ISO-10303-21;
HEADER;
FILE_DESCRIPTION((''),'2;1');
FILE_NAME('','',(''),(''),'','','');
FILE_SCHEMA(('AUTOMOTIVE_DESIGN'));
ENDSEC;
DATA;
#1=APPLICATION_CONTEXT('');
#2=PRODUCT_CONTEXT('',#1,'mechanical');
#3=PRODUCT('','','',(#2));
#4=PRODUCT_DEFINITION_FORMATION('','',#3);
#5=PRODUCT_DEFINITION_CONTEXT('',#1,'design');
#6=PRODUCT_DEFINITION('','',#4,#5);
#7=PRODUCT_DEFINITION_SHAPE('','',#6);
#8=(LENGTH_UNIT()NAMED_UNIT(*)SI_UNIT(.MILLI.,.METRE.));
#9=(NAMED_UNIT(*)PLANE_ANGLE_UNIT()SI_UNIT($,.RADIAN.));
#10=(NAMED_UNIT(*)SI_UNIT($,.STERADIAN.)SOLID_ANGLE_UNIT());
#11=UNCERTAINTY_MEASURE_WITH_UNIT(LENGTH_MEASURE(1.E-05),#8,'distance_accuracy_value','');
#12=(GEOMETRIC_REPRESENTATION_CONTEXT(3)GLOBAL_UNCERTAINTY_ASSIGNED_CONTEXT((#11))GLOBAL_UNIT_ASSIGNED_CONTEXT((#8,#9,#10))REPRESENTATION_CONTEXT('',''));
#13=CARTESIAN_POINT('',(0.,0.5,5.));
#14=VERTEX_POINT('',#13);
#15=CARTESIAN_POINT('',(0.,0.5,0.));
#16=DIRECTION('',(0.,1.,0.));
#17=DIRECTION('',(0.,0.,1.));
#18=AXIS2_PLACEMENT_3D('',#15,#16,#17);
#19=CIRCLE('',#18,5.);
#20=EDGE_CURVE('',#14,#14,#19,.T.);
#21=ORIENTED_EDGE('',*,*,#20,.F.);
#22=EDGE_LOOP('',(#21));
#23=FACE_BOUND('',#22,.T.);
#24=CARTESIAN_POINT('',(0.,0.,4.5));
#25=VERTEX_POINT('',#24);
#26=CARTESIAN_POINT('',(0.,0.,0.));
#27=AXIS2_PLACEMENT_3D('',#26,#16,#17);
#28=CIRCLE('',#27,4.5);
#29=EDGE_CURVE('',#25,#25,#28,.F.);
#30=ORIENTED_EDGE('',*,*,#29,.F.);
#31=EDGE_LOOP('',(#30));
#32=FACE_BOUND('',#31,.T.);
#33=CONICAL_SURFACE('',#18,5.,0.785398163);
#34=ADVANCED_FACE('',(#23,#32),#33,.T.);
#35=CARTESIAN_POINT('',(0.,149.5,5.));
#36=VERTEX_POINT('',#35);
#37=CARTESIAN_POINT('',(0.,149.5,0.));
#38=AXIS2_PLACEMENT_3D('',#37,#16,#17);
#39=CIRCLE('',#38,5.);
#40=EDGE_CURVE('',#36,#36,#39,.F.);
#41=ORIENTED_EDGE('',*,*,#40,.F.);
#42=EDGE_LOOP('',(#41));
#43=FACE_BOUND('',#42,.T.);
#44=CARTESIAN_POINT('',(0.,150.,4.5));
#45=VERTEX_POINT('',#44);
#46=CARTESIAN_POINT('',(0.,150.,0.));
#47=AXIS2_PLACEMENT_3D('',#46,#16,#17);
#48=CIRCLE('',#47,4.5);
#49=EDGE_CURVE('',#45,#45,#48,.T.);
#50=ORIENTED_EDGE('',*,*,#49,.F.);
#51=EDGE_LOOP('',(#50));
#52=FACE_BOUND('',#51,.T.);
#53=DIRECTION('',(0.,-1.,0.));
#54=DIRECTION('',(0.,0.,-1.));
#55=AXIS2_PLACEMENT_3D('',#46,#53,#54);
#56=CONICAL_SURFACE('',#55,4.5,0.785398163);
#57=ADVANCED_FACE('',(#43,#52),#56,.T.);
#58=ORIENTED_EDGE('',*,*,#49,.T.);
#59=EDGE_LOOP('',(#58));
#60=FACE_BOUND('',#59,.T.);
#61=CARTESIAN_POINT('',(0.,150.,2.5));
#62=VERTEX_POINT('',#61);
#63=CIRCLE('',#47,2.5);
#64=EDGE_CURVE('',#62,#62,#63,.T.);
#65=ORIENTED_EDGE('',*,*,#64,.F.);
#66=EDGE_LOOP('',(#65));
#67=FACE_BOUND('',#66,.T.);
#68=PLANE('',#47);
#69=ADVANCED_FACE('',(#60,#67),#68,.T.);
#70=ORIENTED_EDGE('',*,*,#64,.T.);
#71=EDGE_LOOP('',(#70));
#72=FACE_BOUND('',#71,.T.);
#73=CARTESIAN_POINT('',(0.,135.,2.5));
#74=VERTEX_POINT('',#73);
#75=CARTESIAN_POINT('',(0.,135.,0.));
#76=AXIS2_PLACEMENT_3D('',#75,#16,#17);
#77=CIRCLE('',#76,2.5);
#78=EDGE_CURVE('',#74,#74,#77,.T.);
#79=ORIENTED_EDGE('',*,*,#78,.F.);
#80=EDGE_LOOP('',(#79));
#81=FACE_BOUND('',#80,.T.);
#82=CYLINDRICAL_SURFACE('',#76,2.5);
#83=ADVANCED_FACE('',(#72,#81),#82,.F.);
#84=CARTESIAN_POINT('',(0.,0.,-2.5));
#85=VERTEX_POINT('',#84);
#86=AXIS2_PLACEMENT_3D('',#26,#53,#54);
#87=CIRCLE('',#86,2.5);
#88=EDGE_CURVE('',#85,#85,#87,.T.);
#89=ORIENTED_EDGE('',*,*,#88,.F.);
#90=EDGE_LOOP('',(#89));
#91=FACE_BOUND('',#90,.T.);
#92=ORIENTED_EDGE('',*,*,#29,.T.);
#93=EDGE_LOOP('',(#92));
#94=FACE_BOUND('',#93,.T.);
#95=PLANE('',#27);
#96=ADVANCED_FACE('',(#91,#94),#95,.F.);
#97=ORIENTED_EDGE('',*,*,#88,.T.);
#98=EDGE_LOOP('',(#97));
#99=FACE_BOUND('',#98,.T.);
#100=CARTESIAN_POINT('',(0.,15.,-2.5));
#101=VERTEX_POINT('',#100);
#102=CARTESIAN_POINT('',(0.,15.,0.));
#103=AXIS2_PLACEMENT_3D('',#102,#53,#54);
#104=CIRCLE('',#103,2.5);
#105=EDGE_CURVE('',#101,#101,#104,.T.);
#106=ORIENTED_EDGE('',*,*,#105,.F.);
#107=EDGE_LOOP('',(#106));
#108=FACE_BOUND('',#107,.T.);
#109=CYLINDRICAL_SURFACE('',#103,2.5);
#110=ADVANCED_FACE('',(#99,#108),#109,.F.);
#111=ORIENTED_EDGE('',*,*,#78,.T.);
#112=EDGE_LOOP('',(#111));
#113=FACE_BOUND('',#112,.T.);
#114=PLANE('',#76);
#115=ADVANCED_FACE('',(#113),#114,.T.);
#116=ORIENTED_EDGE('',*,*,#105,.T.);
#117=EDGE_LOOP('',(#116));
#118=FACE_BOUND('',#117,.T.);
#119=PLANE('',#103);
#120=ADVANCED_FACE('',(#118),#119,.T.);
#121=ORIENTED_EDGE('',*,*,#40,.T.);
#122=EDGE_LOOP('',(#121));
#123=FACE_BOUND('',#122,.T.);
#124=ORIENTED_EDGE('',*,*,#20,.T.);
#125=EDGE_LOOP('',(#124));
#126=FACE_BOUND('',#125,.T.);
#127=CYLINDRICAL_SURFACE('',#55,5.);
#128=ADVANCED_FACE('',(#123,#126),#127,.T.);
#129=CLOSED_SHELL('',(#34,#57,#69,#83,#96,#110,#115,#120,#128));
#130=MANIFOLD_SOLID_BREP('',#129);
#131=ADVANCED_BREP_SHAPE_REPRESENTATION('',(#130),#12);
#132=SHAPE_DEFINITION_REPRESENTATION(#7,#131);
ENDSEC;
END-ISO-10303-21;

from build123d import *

# Parameters (mm, degrees)
ESQUISSE1_R      = 5
EXTRUSION1_DEPTH = 150
CHANFREIN1_SIZE  = 0.5
ESQUISSE2_R      = 2.5
EXTRUSION2_DEPTH = 15
ESQUISSE3_R      = 2.5
EXTRUSION3_DEPTH = 15


with BuildPart() as part:
    # Esquisse1 → Extrusion1 (new body)
    with BuildSketch(Plane(origin=(0, 0, 0), x_dir=(1, 0, 0), z_dir=(0, 1, 0))):
        Circle(ESQUISSE1_R)
    extrude(amount=EXTRUSION1_DEPTH)

    # Chanfrein1
    chanfrein1_edges = [part.edges().sort_by_distance(p)[0] for p in [
        (-5, 0, 0),
        (-5, 150, 0),
    ]]
    chamfer(chanfrein1_edges, length=CHANFREIN1_SIZE)

    # Esquisse2 → Extrusion2 (cut)
    with BuildSketch(Plane.XZ):
        Circle(ESQUISSE2_R)
    extrude(amount=-EXTRUSION2_DEPTH, mode=Mode.SUBTRACT)

    # Esquisse3 → Extrusion3 (cut)
    with BuildSketch(Plane(origin=(0, 150, 0), x_dir=(1, 0, 0), z_dir=(0, 1, 0))):
        Circle(ESQUISSE3_R)
    extrude(amount=-EXTRUSION3_DEPTH, mode=Mode.SUBTRACT)


solid = part.part
